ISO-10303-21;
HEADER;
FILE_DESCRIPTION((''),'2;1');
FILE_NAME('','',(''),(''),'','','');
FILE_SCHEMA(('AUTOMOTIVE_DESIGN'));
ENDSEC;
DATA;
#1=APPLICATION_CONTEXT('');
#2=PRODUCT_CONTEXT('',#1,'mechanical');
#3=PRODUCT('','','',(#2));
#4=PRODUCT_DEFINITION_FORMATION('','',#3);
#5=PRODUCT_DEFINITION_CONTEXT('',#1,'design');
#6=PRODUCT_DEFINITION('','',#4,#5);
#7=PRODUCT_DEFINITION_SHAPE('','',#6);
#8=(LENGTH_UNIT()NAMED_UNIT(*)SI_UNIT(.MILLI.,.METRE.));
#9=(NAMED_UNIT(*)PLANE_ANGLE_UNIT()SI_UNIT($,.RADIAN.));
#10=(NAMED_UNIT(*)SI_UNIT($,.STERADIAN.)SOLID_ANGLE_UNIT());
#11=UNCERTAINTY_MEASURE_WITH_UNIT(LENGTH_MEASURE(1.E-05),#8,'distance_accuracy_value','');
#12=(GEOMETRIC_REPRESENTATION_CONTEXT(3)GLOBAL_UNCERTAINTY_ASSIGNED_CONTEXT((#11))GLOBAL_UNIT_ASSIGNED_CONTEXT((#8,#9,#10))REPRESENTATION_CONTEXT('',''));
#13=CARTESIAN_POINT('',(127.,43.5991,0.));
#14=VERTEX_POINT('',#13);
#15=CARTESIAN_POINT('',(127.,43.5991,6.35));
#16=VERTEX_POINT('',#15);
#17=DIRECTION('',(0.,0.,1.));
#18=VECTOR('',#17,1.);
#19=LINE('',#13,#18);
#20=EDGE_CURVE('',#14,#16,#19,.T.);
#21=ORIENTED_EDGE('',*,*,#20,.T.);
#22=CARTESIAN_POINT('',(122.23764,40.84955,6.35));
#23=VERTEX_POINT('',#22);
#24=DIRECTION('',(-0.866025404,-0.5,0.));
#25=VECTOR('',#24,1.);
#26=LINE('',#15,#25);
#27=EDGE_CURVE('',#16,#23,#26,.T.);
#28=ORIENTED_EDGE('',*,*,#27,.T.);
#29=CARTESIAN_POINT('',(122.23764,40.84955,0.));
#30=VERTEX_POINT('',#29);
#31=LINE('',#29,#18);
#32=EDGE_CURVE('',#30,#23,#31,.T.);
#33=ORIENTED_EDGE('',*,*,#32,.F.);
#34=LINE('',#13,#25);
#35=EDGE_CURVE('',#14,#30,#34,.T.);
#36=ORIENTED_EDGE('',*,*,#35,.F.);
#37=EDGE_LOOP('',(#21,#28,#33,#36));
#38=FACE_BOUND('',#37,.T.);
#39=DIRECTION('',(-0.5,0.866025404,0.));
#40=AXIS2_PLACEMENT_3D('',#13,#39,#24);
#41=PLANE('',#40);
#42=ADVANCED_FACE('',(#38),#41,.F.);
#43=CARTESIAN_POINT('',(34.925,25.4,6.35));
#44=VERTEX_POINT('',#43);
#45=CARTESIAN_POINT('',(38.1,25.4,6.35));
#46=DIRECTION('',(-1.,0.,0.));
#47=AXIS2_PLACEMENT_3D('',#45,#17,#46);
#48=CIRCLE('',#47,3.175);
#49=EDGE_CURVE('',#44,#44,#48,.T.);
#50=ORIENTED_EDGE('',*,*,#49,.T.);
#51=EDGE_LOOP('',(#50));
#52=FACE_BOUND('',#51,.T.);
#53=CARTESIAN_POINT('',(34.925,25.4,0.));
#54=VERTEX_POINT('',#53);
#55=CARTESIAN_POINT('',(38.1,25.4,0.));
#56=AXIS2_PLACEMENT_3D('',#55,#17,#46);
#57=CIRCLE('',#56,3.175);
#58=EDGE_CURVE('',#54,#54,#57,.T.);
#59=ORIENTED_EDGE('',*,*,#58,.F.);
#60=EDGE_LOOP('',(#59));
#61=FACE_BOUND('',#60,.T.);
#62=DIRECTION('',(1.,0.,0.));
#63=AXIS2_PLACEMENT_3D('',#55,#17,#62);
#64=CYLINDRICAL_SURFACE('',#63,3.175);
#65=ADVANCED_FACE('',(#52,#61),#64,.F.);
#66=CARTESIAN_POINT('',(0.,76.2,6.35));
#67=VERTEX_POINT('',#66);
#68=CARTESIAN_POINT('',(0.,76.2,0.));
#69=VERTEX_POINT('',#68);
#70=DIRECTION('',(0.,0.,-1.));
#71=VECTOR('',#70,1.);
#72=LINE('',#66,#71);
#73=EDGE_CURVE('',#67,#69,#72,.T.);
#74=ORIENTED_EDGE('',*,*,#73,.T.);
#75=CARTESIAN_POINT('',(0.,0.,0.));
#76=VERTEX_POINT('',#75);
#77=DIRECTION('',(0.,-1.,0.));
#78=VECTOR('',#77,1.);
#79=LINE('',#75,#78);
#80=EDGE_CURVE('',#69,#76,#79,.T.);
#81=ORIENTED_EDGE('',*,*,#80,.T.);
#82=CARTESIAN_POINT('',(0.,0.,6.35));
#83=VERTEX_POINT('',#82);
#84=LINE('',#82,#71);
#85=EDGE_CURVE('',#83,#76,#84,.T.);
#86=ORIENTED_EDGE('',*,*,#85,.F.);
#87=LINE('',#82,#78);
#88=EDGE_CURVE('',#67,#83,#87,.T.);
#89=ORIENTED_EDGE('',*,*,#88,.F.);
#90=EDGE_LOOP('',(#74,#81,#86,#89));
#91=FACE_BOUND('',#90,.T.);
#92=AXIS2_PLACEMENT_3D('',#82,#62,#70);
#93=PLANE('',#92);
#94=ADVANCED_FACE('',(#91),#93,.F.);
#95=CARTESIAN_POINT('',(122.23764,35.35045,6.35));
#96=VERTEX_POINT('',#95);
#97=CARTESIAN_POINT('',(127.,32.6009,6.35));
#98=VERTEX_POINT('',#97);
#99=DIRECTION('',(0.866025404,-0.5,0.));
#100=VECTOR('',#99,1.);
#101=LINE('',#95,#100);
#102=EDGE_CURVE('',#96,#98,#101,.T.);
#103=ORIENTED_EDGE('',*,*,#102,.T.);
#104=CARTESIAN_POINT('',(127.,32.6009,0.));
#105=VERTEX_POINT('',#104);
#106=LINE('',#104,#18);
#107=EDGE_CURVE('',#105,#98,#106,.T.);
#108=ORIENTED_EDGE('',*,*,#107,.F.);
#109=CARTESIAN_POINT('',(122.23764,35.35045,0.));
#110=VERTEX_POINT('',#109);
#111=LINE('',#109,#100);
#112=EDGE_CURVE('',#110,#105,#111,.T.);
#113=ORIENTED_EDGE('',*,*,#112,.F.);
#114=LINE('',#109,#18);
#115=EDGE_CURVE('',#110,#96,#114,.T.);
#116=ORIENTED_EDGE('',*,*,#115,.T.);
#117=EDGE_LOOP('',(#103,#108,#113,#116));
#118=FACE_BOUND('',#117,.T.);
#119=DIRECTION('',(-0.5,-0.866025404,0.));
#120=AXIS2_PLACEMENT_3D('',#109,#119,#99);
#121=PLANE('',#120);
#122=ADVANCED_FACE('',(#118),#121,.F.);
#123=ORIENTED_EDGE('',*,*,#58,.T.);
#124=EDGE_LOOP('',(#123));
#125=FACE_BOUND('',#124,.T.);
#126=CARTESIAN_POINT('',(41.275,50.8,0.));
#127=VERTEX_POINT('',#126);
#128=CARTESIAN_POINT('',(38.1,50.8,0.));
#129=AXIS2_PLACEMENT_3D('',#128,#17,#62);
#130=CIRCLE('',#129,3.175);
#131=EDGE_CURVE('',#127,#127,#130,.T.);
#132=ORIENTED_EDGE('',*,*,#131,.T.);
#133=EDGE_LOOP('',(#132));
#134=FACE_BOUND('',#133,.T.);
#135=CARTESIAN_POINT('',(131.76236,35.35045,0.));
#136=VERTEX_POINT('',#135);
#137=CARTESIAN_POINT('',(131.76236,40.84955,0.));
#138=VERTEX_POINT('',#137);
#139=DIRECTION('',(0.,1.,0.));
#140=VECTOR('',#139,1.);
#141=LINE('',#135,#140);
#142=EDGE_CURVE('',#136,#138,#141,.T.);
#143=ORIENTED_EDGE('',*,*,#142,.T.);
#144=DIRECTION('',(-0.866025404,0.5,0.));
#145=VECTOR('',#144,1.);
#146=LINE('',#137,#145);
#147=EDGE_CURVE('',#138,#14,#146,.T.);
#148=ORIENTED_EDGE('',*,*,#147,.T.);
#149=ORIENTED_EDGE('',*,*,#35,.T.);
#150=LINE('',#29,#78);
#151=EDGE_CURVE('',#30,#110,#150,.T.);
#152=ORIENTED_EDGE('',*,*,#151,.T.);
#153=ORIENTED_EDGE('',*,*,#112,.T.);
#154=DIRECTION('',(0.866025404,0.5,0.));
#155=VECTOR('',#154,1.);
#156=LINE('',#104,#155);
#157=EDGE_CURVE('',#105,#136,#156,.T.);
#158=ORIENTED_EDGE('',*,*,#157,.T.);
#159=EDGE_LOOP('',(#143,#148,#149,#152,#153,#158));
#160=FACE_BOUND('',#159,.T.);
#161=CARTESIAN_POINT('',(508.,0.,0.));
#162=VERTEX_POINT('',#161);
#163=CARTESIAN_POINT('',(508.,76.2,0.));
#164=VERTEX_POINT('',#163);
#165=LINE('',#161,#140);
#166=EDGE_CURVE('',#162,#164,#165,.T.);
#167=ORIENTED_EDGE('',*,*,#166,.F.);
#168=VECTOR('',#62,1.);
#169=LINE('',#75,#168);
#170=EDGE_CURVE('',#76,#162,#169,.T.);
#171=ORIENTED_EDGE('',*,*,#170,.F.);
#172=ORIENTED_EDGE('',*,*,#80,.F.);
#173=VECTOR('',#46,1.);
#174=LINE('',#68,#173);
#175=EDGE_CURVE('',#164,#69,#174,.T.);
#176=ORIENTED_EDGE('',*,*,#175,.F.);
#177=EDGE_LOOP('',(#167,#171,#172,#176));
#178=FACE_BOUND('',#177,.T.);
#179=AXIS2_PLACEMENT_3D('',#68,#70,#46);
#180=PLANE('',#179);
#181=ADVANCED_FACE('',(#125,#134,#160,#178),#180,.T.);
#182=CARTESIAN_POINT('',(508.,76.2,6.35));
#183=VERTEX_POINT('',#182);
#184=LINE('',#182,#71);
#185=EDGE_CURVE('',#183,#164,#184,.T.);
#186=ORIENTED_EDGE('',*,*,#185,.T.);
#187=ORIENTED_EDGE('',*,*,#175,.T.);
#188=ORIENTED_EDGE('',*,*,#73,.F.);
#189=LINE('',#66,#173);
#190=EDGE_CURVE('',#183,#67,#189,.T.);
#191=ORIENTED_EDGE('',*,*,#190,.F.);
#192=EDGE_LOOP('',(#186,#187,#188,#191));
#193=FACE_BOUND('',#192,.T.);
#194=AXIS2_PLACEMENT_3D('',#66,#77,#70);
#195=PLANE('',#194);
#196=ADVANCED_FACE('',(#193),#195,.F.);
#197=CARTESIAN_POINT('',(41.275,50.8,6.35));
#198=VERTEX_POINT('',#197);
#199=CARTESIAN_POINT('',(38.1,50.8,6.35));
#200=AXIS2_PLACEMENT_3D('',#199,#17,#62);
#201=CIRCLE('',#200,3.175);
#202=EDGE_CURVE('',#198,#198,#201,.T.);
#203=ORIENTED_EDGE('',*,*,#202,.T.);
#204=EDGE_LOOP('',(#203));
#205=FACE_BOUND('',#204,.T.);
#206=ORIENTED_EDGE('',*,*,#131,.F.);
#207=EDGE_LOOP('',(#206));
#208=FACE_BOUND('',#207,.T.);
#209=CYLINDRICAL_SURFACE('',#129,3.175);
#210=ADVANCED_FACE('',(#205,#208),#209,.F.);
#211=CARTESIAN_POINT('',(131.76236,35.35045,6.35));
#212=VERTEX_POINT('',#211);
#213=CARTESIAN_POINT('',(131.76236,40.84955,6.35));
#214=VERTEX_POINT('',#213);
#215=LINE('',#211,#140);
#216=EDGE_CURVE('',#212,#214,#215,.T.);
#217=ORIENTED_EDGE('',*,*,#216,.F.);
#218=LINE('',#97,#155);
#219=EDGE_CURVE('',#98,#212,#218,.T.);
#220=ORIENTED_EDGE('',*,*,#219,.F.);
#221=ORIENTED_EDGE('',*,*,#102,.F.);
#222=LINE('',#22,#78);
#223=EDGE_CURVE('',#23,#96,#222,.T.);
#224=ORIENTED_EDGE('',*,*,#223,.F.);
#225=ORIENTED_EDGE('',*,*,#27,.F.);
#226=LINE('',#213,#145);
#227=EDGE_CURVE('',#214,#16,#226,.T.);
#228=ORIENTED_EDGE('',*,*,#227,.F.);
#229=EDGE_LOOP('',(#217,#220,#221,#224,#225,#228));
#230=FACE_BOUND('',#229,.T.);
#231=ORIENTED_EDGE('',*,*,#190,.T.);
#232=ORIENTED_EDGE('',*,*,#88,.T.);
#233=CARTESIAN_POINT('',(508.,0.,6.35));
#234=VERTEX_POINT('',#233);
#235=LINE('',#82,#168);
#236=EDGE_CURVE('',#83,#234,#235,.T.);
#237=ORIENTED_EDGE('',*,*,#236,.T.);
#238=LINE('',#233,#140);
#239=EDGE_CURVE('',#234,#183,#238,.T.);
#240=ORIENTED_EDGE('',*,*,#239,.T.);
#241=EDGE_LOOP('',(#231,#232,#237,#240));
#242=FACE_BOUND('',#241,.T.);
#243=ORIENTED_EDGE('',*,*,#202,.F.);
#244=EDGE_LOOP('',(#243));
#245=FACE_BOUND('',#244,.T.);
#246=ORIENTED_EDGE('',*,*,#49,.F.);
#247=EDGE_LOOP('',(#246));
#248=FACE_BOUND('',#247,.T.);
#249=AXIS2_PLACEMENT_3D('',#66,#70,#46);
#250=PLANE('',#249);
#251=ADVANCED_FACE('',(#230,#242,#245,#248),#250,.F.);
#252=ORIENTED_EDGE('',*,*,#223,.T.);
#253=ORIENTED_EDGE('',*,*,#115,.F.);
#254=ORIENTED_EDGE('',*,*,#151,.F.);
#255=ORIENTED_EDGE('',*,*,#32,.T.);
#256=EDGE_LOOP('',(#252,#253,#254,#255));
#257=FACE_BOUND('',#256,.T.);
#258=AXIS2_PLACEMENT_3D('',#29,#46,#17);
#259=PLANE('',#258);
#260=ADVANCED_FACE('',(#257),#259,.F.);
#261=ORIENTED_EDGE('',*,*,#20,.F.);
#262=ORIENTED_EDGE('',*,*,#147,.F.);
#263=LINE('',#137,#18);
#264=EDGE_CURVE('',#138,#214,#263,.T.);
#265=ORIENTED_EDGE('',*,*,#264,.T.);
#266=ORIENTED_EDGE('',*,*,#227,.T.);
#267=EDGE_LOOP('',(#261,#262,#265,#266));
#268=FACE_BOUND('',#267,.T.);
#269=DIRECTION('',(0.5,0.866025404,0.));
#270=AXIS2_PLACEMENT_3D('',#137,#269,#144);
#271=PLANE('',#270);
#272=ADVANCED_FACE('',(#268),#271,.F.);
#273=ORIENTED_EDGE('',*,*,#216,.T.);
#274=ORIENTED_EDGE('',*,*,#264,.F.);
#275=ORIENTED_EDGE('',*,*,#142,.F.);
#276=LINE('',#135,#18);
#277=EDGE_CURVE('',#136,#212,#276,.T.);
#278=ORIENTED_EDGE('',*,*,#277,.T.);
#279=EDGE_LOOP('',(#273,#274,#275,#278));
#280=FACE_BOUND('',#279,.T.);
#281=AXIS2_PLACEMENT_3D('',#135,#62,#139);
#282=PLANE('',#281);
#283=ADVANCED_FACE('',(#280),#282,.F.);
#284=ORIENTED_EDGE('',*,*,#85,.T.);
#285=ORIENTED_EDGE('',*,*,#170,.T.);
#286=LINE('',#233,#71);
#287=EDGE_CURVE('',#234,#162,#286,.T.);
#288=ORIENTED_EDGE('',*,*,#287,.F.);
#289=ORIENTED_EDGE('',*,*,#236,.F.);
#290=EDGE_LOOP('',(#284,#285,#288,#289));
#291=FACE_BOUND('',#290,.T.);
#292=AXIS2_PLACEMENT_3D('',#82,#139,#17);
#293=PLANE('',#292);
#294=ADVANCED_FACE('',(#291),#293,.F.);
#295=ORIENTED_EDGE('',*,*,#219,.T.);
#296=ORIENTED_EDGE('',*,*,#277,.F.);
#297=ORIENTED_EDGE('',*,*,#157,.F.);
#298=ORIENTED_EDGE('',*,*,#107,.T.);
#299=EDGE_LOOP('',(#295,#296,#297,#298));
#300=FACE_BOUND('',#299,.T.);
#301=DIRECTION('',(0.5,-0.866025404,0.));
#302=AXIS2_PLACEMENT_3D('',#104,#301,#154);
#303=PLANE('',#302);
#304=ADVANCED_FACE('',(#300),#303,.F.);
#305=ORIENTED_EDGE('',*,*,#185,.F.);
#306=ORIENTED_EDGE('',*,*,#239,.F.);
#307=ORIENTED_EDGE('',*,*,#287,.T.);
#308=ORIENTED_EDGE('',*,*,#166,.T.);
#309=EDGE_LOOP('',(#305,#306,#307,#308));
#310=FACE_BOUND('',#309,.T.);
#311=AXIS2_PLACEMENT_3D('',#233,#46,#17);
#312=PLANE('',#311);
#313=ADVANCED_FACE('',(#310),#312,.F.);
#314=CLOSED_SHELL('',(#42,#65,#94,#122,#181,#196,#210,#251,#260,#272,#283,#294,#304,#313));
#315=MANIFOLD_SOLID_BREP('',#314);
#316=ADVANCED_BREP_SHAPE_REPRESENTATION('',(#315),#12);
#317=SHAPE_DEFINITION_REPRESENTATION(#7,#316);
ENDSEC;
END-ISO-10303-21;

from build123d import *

# Parameters (mm, degrees)
SKETCH1_W           = 508
SKETCH1_H           = 76.2
BOSS_EXTRUDE1_DEPTH = 6.35
CUT_EXTRUDE6_DEPTH  = 7.35
SKETCH6_R           = 3.175
CUT_EXTRUDE7_DEPTH  = 7.35


with BuildPart() as part:
    # Sketch1 → Boss-Extrude1 (new body)
    with BuildSketch(Plane.XY):
        with Locations((254, 38.1)):
            Rectangle(SKETCH1_W, SKETCH1_H)
    extrude(amount=BOSS_EXTRUDE1_DEPTH)

    # Sketch4 → Cut-Extrude6 (cut, through all)
    with BuildSketch(Plane.XY.offset(6.35)):
        Polygon((127, 43.5991), (122.237639702, 40.84955), (122.237639702, 35.35045), (127, 32.6009), (131.762360298, 35.35045), (131.762360298, 40.84955), align=None)
    extrude(amount=-CUT_EXTRUDE6_DEPTH, mode=Mode.SUBTRACT)

    # Sketch6 → Cut-Extrude7 (cut, through all)
    with BuildSketch(Plane.XY.offset(6.35)):
        with Locations((38.1, 50.8)):
            Circle(SKETCH6_R)
        with Locations((38.1, 25.4)):
            Circle(SKETCH6_R)
    extrude(amount=-CUT_EXTRUDE7_DEPTH, mode=Mode.SUBTRACT)


solid = part.part
